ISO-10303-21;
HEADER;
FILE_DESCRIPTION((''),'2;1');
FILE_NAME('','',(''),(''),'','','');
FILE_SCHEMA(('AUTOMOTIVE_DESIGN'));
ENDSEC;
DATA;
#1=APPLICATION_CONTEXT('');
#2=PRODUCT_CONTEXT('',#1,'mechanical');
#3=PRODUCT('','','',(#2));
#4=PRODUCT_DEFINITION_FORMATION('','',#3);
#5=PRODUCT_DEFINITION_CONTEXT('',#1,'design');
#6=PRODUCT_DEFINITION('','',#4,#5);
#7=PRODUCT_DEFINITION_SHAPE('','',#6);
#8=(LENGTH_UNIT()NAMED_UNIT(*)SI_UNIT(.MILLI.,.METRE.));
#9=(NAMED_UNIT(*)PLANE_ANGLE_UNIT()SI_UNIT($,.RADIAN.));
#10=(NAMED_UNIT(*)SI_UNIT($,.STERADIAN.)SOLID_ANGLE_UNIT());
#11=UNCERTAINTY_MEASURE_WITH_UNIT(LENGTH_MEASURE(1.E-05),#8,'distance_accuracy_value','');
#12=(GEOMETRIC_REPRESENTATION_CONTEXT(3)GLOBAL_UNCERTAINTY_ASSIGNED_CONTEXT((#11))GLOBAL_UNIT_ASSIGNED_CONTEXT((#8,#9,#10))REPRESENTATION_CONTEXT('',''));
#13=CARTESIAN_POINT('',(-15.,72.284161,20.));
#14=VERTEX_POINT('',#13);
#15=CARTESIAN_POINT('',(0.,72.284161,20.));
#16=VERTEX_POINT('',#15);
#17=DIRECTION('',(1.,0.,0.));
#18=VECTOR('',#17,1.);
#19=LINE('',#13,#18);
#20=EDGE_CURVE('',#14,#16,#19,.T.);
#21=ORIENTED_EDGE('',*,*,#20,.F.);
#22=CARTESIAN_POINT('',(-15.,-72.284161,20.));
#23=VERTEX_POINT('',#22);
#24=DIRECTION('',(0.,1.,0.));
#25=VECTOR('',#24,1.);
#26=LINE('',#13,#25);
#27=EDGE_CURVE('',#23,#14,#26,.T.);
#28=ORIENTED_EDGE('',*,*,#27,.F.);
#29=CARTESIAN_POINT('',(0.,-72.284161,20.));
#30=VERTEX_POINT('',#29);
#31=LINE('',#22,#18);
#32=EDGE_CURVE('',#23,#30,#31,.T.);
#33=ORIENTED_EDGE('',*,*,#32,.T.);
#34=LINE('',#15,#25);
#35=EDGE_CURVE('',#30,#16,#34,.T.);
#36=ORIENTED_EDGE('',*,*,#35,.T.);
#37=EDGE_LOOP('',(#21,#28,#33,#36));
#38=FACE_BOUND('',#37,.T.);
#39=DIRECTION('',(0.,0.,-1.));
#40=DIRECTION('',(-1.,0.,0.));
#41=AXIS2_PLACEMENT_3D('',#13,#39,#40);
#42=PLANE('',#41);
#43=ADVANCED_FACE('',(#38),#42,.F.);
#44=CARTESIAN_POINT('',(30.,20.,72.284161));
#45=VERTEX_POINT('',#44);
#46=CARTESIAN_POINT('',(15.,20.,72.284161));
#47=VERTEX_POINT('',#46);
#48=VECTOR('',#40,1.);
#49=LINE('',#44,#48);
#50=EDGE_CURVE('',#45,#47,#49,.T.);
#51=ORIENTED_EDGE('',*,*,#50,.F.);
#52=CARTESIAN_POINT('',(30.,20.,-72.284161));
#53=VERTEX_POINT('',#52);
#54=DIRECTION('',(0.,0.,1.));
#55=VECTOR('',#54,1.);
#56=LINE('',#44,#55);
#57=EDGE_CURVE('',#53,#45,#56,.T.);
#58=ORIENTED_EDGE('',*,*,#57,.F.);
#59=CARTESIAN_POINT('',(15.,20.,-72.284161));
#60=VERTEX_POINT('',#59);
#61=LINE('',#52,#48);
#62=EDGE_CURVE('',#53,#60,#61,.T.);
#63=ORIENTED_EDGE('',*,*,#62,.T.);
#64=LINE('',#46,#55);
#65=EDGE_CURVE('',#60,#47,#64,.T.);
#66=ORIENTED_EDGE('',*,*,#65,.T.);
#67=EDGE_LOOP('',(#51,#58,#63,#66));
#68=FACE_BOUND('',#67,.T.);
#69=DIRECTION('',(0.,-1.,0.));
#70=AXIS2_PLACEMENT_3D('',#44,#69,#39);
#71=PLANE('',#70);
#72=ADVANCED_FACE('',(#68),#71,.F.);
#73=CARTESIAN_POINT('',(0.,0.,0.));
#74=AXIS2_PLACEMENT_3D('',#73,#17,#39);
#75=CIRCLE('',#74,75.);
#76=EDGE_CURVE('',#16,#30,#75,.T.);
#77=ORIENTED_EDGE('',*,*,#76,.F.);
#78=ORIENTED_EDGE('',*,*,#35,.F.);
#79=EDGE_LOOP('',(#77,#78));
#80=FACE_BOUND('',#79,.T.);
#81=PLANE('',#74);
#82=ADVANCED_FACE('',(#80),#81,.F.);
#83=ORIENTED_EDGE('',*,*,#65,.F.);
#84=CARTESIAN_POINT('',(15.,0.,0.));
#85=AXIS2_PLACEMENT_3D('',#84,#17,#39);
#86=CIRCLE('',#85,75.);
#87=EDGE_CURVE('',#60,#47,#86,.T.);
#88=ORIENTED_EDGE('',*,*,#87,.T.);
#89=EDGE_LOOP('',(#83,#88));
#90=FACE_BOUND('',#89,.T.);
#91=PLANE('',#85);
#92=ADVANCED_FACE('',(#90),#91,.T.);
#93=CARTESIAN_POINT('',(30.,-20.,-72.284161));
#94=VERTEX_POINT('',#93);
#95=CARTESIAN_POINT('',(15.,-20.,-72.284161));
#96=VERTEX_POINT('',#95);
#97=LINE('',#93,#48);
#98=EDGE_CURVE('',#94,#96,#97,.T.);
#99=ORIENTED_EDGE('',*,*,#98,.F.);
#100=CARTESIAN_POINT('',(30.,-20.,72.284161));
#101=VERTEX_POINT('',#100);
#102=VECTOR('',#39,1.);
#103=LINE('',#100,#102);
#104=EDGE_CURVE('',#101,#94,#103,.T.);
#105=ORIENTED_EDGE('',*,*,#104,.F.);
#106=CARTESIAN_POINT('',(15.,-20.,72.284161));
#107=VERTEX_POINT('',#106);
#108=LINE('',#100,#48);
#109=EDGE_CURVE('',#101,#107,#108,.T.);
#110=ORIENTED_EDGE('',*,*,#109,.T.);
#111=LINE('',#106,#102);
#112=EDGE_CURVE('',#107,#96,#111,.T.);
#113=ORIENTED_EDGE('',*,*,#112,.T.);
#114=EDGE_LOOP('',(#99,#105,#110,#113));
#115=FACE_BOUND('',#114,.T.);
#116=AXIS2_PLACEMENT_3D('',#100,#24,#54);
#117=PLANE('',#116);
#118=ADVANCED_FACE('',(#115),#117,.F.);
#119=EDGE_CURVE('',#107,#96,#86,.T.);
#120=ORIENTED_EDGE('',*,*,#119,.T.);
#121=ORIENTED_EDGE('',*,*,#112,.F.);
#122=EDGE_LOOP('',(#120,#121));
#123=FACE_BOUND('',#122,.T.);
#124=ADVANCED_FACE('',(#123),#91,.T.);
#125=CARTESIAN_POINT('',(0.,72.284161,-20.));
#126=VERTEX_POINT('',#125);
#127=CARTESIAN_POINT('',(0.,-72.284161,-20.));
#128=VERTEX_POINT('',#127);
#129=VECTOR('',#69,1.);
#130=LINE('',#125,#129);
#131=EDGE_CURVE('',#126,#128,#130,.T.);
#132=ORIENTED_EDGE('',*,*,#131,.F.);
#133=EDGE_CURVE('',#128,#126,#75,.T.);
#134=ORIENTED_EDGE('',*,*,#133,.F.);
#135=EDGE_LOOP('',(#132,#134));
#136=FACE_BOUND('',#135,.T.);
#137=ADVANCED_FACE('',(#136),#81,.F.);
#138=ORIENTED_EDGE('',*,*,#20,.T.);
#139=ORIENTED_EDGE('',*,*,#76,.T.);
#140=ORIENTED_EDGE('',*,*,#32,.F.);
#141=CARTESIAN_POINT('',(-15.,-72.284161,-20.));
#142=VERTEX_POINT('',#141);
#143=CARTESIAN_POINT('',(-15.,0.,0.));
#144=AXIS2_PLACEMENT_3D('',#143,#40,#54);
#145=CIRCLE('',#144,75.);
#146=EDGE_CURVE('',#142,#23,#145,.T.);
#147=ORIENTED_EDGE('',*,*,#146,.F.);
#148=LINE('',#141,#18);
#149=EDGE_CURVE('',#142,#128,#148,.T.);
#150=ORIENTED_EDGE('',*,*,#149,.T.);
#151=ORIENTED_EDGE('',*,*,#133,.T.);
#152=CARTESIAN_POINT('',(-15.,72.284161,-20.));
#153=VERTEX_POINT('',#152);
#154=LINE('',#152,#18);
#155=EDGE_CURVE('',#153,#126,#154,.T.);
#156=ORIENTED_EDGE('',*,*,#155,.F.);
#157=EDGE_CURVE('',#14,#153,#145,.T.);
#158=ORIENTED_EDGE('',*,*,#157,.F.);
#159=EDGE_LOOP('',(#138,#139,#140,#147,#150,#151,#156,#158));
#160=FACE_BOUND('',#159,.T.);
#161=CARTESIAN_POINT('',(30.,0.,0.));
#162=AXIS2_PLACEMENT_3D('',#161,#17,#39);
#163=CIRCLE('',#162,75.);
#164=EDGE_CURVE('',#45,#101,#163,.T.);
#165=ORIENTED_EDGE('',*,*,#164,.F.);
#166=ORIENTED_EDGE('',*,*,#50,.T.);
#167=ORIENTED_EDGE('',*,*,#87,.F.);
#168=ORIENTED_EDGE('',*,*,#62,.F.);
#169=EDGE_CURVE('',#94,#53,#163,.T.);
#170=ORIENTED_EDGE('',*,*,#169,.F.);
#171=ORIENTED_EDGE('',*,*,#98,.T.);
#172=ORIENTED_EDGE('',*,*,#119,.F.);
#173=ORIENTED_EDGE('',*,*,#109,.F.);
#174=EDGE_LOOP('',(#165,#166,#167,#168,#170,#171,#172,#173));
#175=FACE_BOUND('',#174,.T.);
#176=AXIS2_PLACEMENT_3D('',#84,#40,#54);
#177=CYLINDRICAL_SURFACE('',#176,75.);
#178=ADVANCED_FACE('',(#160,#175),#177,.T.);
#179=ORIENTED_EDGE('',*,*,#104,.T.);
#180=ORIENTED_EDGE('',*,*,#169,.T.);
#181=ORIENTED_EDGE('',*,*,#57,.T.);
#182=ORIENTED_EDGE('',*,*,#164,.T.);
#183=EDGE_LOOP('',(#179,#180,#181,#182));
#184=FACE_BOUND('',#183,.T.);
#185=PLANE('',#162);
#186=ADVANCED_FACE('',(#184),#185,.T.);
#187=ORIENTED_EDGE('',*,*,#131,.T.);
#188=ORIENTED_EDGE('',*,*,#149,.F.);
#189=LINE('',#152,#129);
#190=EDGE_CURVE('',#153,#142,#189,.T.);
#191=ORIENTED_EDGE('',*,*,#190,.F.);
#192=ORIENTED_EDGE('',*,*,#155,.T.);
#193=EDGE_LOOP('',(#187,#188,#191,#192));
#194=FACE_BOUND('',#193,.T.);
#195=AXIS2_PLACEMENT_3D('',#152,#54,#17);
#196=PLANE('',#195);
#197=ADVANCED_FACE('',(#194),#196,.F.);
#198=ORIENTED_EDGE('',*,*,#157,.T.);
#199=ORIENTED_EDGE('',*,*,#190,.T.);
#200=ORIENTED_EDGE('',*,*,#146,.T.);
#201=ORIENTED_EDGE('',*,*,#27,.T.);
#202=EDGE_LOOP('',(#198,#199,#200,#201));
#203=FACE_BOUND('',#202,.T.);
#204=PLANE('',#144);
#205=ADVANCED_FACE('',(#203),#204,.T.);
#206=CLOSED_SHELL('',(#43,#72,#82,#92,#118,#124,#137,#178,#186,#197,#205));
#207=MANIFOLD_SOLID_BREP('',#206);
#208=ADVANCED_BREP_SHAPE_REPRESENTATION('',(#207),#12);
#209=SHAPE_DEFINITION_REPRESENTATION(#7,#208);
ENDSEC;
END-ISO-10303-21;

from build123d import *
from build123d.topology import SkipClean

# Parameters (mm, degrees)
SKETCH1_R           = 75
BOSS_EXTRUDE1_DEPTH = 15
BOSS_EXTRUDE2_DEPTH = 15
BOSS_EXTRUDE3_START = 15
BOSS_EXTRUDE3_DEPTH = 15


with BuildPart() as part:
    # Sketch1 → Boss-Extrude1 (new body)
    with BuildSketch(Plane(origin=(0, 0, 0), x_dir=(0, 0, -1), z_dir=(1, 0, 0))):
        Circle(SKETCH1_R)
    extrude(amount=BOSS_EXTRUDE1_DEPTH)

    # Sketch2 → Boss-Extrude2 (add)
    with BuildSketch(Plane(origin=(15, 0, 0), x_dir=(0, 0, -1), z_dir=(1, 0, 0))):
        with BuildLine():
            Line((-72.284161474, -20), (72.284161474, -20))
            ThreePointArc((72.284161474, -20), (75, 0), (72.284161474, 20))
            Line((72.284161474, 20), (-72.284161474, 20))
            ThreePointArc((-72.284161474, 20), (-75, 0), (-72.284161474, -20))
        make_face()
    extrude(amount=BOSS_EXTRUDE2_DEPTH)

    # Sketch3 → Boss-Extrude3 (add)
    with SkipClean():  # the faces are left unmerged after this step: merging them gives an invalid solid
        with BuildSketch(Plane.ZY.offset(BOSS_EXTRUDE3_START)):
            with BuildLine():
                Line((-20, 72.284161474), (-20, -72.284161474))
                ThreePointArc((-20, -72.284161474), (0, -75), (20, -72.284161474))
                Line((20, -72.284161474), (20, 72.284161474))
                ThreePointArc((20, 72.284161474), (0, 75), (-20, 72.284161474))
            make_face()
        extrude(amount=-BOSS_EXTRUDE3_DEPTH)


solid = part.part
